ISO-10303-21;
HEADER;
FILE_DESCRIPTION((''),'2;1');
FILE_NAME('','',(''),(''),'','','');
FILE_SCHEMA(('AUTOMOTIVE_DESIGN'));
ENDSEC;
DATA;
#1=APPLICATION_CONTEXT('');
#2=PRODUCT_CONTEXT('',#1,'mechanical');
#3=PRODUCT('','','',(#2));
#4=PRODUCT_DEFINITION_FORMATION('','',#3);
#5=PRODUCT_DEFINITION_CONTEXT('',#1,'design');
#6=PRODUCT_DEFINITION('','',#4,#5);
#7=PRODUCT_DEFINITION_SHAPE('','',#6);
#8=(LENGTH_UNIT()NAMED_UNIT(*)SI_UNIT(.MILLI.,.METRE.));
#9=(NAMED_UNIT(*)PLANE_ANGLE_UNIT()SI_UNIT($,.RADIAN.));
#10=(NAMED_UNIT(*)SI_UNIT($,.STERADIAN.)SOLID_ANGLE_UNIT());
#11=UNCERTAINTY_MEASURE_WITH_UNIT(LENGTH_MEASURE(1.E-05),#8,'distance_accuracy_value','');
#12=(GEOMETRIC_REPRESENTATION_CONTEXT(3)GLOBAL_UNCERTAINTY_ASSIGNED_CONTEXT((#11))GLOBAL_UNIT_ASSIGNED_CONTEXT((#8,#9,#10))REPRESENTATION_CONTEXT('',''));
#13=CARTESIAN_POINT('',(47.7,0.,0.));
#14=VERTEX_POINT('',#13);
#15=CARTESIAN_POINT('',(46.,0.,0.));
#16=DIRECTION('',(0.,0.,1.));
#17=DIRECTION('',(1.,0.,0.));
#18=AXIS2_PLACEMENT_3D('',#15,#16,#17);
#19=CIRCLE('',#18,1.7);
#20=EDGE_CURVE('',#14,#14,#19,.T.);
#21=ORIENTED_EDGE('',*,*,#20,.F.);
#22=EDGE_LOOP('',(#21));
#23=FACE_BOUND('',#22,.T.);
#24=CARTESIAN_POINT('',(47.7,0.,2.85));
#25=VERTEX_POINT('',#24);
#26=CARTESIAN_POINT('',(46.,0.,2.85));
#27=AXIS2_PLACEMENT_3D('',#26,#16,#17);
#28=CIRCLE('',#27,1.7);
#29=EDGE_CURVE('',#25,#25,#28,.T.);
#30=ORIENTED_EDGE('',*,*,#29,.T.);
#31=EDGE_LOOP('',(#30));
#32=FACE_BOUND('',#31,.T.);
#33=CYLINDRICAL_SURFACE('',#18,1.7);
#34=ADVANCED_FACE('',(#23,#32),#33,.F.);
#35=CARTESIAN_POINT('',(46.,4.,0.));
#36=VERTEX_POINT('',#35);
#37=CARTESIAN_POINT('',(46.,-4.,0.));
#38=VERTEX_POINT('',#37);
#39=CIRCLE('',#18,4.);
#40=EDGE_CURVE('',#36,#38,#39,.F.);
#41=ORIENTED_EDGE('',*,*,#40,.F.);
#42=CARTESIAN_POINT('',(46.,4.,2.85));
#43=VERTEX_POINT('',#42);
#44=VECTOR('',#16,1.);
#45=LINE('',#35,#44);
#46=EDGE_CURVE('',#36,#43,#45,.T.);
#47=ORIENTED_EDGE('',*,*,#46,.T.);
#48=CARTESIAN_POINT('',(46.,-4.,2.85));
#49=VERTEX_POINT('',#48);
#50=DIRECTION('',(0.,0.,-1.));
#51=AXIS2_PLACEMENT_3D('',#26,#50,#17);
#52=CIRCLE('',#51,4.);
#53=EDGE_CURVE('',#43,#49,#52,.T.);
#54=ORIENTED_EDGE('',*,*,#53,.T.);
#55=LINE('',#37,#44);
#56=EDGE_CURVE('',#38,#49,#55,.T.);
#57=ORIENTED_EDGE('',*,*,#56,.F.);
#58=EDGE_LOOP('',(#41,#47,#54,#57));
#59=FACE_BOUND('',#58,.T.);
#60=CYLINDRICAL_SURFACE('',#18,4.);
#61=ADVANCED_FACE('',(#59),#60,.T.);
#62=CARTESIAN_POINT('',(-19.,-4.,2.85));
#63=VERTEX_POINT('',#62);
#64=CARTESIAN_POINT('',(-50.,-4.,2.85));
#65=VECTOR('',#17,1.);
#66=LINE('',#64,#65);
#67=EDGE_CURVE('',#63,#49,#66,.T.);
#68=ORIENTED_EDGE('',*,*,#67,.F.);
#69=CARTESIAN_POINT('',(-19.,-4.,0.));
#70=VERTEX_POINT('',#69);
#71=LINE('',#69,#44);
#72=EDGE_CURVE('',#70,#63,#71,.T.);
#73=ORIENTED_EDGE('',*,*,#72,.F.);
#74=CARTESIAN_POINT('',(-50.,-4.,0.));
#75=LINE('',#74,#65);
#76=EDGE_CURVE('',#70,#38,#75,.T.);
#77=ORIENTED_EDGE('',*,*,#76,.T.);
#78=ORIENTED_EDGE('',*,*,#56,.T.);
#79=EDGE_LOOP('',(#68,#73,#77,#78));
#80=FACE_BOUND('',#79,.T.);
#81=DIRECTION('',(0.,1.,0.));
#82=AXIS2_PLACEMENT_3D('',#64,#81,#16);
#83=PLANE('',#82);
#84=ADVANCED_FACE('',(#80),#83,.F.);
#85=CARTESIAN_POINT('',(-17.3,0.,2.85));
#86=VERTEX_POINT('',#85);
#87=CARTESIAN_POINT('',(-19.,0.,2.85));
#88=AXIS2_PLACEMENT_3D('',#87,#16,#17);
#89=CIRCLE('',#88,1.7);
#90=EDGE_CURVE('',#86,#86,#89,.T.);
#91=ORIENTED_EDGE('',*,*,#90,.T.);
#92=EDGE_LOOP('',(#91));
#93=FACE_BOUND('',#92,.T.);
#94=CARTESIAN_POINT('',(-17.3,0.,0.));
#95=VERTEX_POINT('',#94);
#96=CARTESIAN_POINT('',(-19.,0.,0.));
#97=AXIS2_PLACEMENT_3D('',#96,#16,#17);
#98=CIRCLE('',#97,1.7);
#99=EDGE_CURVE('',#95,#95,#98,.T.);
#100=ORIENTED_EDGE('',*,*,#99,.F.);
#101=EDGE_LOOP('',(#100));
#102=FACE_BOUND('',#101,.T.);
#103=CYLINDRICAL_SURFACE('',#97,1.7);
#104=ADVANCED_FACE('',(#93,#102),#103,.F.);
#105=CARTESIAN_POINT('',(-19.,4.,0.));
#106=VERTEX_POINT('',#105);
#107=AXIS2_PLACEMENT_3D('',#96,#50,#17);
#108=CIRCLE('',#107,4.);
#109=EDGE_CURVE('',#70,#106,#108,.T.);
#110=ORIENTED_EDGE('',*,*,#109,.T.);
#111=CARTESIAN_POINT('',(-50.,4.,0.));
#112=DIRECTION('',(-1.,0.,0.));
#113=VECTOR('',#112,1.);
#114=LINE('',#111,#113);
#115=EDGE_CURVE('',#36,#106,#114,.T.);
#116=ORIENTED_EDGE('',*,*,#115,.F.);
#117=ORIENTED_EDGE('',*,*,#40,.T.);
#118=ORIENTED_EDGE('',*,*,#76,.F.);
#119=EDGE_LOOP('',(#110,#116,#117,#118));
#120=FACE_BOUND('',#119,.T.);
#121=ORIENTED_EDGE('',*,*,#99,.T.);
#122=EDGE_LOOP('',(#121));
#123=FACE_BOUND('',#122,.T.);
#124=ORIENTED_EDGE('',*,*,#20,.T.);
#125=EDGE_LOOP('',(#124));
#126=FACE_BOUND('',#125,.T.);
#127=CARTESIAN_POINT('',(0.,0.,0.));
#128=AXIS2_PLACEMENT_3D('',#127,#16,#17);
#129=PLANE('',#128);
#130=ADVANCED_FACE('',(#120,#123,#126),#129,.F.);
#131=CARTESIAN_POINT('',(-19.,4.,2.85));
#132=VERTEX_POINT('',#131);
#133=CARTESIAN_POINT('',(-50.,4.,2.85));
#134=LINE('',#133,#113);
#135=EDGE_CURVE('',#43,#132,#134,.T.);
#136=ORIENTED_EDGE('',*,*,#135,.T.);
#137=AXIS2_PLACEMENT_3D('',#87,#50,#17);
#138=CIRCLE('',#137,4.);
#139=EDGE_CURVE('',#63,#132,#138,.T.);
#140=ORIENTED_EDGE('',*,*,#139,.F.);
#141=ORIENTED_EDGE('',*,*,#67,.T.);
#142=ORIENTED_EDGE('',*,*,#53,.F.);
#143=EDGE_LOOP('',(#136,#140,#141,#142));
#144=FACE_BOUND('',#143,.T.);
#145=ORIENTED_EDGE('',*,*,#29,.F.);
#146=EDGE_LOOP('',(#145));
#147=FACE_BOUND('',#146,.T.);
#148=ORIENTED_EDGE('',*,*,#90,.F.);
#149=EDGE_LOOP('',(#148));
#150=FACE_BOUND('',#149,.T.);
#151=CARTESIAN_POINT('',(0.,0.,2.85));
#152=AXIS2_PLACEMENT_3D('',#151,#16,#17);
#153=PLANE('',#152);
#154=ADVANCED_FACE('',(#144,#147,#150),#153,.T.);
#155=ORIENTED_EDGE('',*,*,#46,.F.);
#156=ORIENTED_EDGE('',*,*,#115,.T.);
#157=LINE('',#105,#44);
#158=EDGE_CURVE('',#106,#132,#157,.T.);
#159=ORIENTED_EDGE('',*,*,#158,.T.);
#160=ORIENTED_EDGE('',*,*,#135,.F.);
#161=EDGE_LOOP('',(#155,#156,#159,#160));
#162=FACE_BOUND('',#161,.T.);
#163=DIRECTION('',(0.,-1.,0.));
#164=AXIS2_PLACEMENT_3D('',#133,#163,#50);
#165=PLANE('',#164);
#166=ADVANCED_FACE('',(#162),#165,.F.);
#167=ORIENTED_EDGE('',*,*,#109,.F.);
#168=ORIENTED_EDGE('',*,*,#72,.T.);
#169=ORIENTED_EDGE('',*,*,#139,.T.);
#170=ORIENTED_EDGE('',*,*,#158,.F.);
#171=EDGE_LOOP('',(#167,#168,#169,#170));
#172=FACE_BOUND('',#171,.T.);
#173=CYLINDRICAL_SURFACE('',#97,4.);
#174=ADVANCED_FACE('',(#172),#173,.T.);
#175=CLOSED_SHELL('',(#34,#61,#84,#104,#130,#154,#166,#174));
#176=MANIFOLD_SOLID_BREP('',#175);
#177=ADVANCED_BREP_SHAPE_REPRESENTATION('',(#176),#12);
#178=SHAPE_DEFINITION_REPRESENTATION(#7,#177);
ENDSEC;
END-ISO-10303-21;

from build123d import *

# Parameters (mm, degrees)
SKETCH1_W           = 100
SKETCH1_H           = 8
BOSS_EXTRUDE1_DEPTH = 2.85
CUT_EXTRUDE1_DEPTH  = 51.240645896
SKETCH3_R           = 1.7
CUT_EXTRUDE2_DEPTH  = 51.240645896
SKETCH4_R           = 1.7
CUT_EXTRUDE3_DEPTH  = 51.240645896
CUT_EXTRUDE4_DEPTH  = 51.240645896


with BuildPart() as part:
    # Sketch1 → Boss-Extrude1 (new body)
    with BuildSketch(Plane.XY):
        Rectangle(SKETCH1_W, SKETCH1_H)
    extrude(amount=BOSS_EXTRUDE1_DEPTH)

    # Sketch2 → Cut-Extrude1 (cut, through all)
    with BuildSketch(Plane.XY.offset(2.85)):
        with BuildLine():
            Line((46, -4), (51, -4))
            Line((51, -4), (51, 4))
            Line((51, 4), (46, 4))
            ThreePointArc((46, 4), (50, 0), (46, -4))
        make_face()
    cut_extrude1 = extrude(amount=-CUT_EXTRUDE1_DEPTH, mode=Mode.SUBTRACT)

    # Sketch3 → Cut-Extrude2 (cut, through all)
    with BuildSketch(Plane.XY.offset(2.85)):
        with Locations((46, 0)):
            Circle(SKETCH3_R)
    cut_extrude2 = extrude(amount=-CUT_EXTRUDE2_DEPTH, mode=Mode.SUBTRACT)

    # Mirror1: Cut-Extrude1, Cut-Extrude2 across plane
    add(cut_extrude1.mirror(Plane(origin=(0, 0, 0), x_dir=(0, 0, 1), z_dir=(1, 0, 0))), mode=Mode.SUBTRACT)
    add(cut_extrude2.mirror(Plane(origin=(0, 0, 0), x_dir=(0, 0, 1), z_dir=(1, 0, 0))), mode=Mode.SUBTRACT)

    # Sketch4 → Cut-Extrude3 (cut, through all)
    with BuildSketch(Plane.XY.offset(2.85)):
        with Locations((-19, 0)):
            Circle(SKETCH4_R)
    extrude(amount=-CUT_EXTRUDE3_DEPTH, mode=Mode.SUBTRACT)

    # Sketch5 → Cut-Extrude4 (cut, through all)
    with BuildSketch(Plane.XY.offset(2.85)):
        with BuildLine():
            Line((-19, 4), (-50, 4))
            Line((-50, 4), (-50, -4))
            Line((-50, -4), (-19, -4))
            ThreePointArc((-19, -4), (-23, 0), (-19, 4))
        make_face()
    extrude(amount=-CUT_EXTRUDE4_DEPTH, mode=Mode.SUBTRACT)


solid = part.part
